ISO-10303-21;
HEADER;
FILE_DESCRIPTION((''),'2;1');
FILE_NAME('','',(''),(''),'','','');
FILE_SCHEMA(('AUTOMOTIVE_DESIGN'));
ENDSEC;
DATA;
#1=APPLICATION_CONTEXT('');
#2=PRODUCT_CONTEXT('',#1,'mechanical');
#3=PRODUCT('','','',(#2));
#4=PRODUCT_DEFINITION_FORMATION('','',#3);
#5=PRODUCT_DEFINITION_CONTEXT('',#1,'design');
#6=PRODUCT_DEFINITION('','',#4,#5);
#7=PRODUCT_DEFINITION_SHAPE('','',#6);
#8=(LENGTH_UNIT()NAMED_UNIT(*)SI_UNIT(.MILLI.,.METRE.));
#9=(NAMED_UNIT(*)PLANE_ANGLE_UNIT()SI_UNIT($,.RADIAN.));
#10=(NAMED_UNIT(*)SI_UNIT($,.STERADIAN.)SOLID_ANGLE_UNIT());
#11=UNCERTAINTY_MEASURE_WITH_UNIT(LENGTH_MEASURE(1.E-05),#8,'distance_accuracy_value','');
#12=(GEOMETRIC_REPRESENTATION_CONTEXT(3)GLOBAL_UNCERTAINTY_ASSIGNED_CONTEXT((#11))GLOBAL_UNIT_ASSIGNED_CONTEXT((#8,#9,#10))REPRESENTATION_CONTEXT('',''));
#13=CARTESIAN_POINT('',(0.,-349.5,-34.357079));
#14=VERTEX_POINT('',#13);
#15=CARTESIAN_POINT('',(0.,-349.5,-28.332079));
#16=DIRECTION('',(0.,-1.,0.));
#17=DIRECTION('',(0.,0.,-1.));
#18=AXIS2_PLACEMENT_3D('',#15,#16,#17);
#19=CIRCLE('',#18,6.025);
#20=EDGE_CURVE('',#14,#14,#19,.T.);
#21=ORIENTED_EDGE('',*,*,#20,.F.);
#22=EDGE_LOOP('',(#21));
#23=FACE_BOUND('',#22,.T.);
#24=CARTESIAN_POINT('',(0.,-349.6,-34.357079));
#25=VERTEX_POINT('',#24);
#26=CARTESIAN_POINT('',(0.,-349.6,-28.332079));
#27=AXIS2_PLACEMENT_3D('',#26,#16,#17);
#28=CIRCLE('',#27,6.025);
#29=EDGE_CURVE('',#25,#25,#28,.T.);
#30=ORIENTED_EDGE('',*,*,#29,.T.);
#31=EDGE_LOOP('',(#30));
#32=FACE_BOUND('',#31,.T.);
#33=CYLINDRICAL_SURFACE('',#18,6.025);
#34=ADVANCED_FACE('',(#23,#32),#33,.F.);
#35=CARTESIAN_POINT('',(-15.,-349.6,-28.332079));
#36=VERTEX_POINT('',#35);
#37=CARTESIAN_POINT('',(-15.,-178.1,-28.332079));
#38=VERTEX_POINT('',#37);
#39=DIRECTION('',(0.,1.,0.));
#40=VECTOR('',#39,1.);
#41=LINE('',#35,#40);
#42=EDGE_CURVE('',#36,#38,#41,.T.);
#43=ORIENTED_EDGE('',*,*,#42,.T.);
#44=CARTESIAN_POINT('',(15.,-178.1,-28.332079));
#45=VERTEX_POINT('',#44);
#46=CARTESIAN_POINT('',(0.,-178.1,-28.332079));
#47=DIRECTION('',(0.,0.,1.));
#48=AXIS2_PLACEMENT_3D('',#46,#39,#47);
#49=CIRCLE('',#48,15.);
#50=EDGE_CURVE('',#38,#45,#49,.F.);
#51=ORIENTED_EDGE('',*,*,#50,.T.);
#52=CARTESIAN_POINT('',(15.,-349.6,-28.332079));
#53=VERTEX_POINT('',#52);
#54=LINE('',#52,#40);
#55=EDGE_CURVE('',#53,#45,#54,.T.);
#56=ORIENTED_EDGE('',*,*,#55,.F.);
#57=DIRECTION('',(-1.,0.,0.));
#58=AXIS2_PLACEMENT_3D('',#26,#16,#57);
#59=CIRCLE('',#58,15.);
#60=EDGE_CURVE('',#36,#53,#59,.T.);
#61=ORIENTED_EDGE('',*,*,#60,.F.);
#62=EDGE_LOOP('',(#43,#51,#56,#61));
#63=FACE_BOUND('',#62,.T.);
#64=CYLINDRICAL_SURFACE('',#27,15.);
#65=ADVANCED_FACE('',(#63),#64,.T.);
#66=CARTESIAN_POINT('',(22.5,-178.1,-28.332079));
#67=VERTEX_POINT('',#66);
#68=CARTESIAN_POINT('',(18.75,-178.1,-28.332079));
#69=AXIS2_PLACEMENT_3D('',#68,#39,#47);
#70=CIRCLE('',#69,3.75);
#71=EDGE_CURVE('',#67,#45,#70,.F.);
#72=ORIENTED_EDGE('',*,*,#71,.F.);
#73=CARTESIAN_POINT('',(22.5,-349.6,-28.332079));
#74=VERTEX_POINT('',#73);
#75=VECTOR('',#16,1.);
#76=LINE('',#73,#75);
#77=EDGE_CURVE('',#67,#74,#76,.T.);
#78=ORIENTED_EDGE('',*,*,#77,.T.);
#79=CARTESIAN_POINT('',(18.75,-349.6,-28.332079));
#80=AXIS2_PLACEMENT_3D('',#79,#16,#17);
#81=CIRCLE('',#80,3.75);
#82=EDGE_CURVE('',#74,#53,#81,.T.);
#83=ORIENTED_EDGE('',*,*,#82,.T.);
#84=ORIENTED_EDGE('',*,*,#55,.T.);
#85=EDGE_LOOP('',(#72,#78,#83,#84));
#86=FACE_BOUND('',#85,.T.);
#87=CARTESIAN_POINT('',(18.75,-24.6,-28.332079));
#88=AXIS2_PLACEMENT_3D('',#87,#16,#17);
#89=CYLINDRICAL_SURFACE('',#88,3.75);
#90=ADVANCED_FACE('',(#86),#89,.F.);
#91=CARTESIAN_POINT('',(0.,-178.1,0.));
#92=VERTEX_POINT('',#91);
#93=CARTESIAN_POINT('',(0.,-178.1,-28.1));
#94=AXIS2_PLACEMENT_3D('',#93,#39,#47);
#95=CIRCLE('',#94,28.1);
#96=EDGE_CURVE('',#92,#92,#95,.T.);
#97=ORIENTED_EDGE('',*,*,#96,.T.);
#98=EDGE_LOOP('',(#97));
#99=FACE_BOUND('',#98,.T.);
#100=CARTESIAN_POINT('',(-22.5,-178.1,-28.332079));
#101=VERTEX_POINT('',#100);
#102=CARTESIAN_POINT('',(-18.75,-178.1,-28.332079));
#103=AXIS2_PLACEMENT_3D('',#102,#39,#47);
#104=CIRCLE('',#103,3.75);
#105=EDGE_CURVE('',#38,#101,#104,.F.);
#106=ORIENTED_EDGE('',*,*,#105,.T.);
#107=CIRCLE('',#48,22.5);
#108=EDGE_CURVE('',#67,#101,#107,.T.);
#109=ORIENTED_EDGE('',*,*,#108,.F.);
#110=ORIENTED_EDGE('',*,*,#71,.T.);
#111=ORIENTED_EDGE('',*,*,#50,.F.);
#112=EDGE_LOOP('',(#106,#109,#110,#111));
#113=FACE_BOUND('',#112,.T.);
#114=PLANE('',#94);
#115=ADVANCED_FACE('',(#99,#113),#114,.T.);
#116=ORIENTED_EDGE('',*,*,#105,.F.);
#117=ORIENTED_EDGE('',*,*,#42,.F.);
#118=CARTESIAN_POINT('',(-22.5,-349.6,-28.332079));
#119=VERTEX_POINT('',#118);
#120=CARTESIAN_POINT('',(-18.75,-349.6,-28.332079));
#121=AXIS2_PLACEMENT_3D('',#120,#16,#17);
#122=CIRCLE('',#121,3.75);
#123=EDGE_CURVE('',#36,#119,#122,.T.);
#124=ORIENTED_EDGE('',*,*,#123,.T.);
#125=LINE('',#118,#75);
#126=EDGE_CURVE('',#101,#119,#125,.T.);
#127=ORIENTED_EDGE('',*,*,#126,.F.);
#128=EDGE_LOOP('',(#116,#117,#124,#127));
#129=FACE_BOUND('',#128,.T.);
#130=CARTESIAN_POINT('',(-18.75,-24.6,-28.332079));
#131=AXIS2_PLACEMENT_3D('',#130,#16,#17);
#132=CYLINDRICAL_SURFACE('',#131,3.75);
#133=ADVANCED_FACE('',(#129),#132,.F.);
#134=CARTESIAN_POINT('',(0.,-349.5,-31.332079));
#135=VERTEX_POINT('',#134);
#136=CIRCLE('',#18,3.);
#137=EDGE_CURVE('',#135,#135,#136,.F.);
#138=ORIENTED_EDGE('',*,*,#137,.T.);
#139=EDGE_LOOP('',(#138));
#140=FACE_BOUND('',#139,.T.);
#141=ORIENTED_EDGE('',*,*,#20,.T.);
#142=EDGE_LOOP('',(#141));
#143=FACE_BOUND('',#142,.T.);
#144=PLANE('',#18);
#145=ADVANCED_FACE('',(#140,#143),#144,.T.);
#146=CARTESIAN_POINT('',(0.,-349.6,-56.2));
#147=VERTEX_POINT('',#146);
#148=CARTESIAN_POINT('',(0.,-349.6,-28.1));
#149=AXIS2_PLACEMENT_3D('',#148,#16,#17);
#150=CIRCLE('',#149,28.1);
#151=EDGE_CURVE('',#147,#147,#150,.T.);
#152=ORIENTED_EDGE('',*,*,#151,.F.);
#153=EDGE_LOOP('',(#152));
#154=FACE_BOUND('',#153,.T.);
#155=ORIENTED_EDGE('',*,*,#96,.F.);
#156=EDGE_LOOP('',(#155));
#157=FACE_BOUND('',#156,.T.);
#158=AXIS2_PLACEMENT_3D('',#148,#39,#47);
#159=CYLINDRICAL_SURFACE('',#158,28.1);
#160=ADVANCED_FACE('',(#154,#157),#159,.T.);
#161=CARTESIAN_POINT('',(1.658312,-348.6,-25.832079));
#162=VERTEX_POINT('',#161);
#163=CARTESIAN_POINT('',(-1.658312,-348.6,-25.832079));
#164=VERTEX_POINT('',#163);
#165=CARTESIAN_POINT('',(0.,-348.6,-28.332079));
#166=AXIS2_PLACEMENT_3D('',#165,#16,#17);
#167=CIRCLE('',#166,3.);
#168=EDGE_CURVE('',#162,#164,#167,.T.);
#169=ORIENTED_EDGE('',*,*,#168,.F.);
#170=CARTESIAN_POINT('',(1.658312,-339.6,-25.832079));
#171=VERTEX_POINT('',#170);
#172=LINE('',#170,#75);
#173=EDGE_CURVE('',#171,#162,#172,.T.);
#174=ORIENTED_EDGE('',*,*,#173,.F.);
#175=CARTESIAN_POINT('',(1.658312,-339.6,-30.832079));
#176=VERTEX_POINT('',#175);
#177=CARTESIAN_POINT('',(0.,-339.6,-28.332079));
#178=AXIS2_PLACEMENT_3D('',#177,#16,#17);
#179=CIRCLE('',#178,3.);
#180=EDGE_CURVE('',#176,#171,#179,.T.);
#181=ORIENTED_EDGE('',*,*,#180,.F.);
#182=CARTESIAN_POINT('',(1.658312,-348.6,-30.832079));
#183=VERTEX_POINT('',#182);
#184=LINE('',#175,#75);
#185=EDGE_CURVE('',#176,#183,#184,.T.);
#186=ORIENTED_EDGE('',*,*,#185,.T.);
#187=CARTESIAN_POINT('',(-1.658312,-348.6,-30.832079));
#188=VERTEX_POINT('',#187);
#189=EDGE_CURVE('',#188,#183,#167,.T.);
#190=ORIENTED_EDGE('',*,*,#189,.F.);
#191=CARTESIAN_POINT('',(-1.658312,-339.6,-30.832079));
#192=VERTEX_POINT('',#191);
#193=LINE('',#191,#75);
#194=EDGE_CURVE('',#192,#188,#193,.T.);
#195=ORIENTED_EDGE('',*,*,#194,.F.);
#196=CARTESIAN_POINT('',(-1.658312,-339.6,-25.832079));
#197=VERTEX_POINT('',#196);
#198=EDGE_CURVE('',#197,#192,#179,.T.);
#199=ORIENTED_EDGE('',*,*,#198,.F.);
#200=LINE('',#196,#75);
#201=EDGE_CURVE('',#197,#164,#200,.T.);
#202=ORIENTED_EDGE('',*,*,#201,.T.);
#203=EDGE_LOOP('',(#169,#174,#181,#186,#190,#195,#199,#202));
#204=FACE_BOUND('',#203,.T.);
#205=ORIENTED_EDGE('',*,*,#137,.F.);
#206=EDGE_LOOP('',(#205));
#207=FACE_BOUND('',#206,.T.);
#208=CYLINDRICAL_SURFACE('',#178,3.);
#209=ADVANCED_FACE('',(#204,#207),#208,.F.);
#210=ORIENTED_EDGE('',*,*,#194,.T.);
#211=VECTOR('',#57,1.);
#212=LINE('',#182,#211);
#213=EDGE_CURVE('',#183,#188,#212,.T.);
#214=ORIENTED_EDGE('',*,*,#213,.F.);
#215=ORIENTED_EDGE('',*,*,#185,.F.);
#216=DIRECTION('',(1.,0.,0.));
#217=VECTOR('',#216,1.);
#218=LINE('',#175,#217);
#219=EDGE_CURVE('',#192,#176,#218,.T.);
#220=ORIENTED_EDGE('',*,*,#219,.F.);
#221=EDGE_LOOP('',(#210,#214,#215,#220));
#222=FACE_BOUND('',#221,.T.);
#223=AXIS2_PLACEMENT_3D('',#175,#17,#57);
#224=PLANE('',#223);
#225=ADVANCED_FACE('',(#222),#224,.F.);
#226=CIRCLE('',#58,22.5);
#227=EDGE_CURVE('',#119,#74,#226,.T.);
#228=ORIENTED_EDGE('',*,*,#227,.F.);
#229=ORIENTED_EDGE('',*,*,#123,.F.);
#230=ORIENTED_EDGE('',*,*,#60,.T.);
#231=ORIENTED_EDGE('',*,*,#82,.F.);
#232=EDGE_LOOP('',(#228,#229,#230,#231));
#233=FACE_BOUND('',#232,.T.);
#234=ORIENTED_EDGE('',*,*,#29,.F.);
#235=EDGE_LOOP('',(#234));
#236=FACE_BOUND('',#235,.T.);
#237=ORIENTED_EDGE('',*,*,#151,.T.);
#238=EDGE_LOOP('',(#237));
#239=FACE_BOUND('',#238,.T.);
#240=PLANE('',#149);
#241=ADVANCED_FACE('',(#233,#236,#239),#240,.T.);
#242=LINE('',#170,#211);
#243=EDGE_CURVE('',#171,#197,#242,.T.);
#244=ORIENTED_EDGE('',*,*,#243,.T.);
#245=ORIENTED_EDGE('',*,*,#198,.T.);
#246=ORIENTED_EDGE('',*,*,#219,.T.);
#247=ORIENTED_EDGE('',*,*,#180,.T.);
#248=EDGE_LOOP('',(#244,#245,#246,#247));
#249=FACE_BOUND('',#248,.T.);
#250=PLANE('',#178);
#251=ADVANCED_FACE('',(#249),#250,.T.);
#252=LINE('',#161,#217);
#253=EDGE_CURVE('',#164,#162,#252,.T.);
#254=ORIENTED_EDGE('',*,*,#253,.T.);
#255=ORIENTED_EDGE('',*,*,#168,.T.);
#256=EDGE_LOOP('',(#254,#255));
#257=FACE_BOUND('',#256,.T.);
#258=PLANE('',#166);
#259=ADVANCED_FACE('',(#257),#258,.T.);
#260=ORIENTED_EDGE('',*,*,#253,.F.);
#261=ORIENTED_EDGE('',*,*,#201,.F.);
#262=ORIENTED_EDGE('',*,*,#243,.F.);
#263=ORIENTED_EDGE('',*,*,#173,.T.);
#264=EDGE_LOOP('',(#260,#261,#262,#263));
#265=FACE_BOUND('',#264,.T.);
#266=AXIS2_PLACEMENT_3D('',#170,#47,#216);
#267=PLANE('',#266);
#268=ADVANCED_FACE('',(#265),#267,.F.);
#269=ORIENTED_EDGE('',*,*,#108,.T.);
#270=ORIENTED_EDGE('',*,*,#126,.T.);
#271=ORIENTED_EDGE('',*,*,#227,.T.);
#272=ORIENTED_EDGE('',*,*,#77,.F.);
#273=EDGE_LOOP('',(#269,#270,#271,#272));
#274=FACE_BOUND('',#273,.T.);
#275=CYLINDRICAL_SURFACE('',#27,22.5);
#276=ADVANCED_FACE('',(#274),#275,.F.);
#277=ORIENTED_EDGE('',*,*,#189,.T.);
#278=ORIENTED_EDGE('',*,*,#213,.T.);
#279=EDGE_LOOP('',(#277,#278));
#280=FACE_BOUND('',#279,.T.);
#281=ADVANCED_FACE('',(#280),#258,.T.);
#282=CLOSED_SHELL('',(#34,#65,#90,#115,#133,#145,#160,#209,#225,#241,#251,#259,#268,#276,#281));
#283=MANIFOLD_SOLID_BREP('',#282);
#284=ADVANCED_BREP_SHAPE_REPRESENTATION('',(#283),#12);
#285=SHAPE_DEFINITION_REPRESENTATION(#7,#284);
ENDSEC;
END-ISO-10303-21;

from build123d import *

# Parameters (mm, degrees)
SKETCH1_R           = 28.1
BOSS_EXTRUDE2_DEPTH = 61.3
SKETCH3_R           = 18.6
CUT_EXTRUDE2_DEPTH  = 58.8
SKETCH4_W           = 56.2
SKETCH4_H           = 56.2
BOSS_EXTRUDE3_DEPTH = 56.2
SKETCH5_R           = 16.1
CUT_EXTRUDE4_DEPTH  = 5
SKETCH6_W           = 49.797391422
SKETCH6_H           = 49.779255452
CUT_EXTRUDE5_DEPTH  = 53.7
SKETCH7_R           = 28.1
BOSS_EXTRUDE4_DEPTH = 321.5
CUT_EXTRUDE6_DEPTH  = 10
SKETCH9_R           = 3
CUT_EXTRUDE7_DEPTH  = 1
SKETCH10_R          = 6.025
CUT_EXTRUDE8_DEPTH  = 0.1
SKETCH18_R          = 3.75
CUT_EXTRUDE9_DEPTH  = 100
SKETCH19_R          = 3.75
CUT_EXTRUDE11_DEPTH = 325
SKETCH20_W          = 56.2
SKETCH20_H          = 56.2
CUT_EXTRUDE13_DEPTH = 200
SKETCH21_R          = 28.1
CUT_EXTRUDE14_DEPTH = 150


with BuildPart() as part:
    # Sketch1 → Boss-Extrude2 (new body)
    with BuildSketch(Plane.XY):
        Circle(SKETCH1_R)
    extrude(amount=BOSS_EXTRUDE2_DEPTH)

    # Sketch3 → Cut-Extrude2 (cut)
    with BuildSketch(Plane.XY.offset(61.3)):
        with Locations((0, -7)):
            Circle(SKETCH3_R)
    extrude(amount=-CUT_EXTRUDE2_DEPTH, mode=Mode.SUBTRACT)

    # Sketch4 → Boss-Extrude3 (add)
    with BuildSketch(Plane(origin=(0, 0, 0), x_dir=(-1, 0, 0), z_dir=(0, 0, -1))):
        Rectangle(SKETCH4_W, SKETCH4_H)
    extrude(amount=BOSS_EXTRUDE3_DEPTH)

    # Sketch5 → Cut-Extrude4 (cut)
    with BuildSketch(Plane.XY.offset(2.5)):
        with Locations((0, -7)):
            Circle(SKETCH5_R)
    extrude(amount=-CUT_EXTRUDE4_DEPTH, mode=Mode.SUBTRACT)

    # Sketch6 → Cut-Extrude5 (cut)
    with BuildSketch(Plane(origin=(0, 0, -56.2), x_dir=(-1, 0, 0), z_dir=(0, 0, -1))):
        Rectangle(SKETCH6_W, SKETCH6_H)
    extrude(amount=-CUT_EXTRUDE5_DEPTH, mode=Mode.SUBTRACT)

    # Sketch7 → Boss-Extrude4 (add)
    with BuildSketch(Plane(origin=(0, -28.1, 0), x_dir=(-1, 0, 0), z_dir=(0, -1, 0))):
        with Locations(Location((0, 28.1, 0), (0, 0, 90))):
            Circle(SKETCH7_R)
    extrude(amount=BOSS_EXTRUDE4_DEPTH)

    # Sketch8 → Cut-Extrude6 (cut)
    with BuildSketch(Plane(origin=(0, -349.6, 0), x_dir=(-1, 0, 0), z_dir=(0, -1, 0))):
        with BuildLine():
            Line((-1.658312395, 25.832078896), (1.658312395, 25.832078896))
            ThreePointArc((1.658312395, 25.832078896), (3, 28.332078896), (1.658312395, 30.832078896))
            Line((1.658312395, 30.832078896), (-1.658312395, 30.832078896))
            ThreePointArc((-1.658312395, 30.832078896), (-3, 28.332078896), (-1.658312395, 25.832078896))
        make_face()
    extrude(amount=-CUT_EXTRUDE6_DEPTH, mode=Mode.SUBTRACT)

    # Sketch9 → Cut-Extrude7 (cut)
    with BuildSketch(Plane(origin=(0, -349.6, 0), x_dir=(-1, 0, 0), z_dir=(0, -1, 0))):
        with Locations(Location((0, 28.332078896, 0), (0, 0, 90))):
            Circle(SKETCH9_R)
    extrude(amount=-CUT_EXTRUDE7_DEPTH, mode=Mode.SUBTRACT)

    # Sketch10 → Cut-Extrude8 (cut)
    with BuildSketch(Plane(origin=(0, -349.6, 0), x_dir=(-1, 0, 0), z_dir=(0, -1, 0))):
        with Locations(Location((0, 28.332078896, 0), (0, 0, 90))):
            Circle(SKETCH10_R)
    extrude(amount=-CUT_EXTRUDE8_DEPTH, mode=Mode.SUBTRACT)

    # Cut-Sweep4: sweep along a path in Sketch15
    with BuildLine(Plane(origin=(0, -349.6, 0), x_dir=(-1, 0, 0), z_dir=(0, -1, 0))) as cut_sweep4_path:
        ThreePointArc((15, 28.332078896), (0, 43.332078896), (-15, 28.332078896))
    # 3DSketch2 → Cut-Sweep4 (sweep, cut)
    with BuildSketch(Plane(origin=(-15, -349.6, -28.332078896), x_dir=(-0.022748965612757834, 0.999741208795331, 0), z_dir=(0, 0, 1))):
        Polygon((0, 0), (0.170617242, 7.498059066), (329.685319661, 0), (329.514702419, -7.498059066), align=None)
    sweep(path=cut_sweep4_path.line, mode=Mode.SUBTRACT)

    # Sketch18 → Cut-Extrude9 (cut)
    with BuildSketch(Plane.XY.offset(61.3)):
        with Locations((0, 18.75)):
            Circle(SKETCH18_R)
    extrude(amount=-CUT_EXTRUDE9_DEPTH, mode=Mode.SUBTRACT)

    # Sketch19 → Cut-Extrude11 (cut)
    with BuildSketch(Plane(origin=(0, -349.6, 0), x_dir=(-1, 0, 0), z_dir=(0, -1, 0))):
        with Locations((-18.75, 28.332078896)):
            Circle(SKETCH19_R)
        with Locations((18.75, 28.332078896)):
            Circle(SKETCH19_R)
    extrude(amount=-CUT_EXTRUDE11_DEPTH, mode=Mode.SUBTRACT)

    # Sketch20 → Cut-Extrude13 (cut)
    with BuildSketch(Plane(origin=(0, 0, -56.2), x_dir=(-1, 0, 0), z_dir=(0, 0, -1))):
        Rectangle(SKETCH20_W, SKETCH20_H)
    extrude(amount=-CUT_EXTRUDE13_DEPTH, mode=Mode.SUBTRACT)

    # Sketch21 → Cut-Extrude14 (cut)
    with BuildSketch(Plane(origin=(0, -28.1, 0), x_dir=(1, 0, 0), z_dir=(0, 1, 0))):
        with Locations(Location((0, 28.1, 0), (0, 0, 270))):
            Circle(SKETCH21_R)
    extrude(amount=-CUT_EXTRUDE14_DEPTH, mode=Mode.SUBTRACT)


solid = part.part
